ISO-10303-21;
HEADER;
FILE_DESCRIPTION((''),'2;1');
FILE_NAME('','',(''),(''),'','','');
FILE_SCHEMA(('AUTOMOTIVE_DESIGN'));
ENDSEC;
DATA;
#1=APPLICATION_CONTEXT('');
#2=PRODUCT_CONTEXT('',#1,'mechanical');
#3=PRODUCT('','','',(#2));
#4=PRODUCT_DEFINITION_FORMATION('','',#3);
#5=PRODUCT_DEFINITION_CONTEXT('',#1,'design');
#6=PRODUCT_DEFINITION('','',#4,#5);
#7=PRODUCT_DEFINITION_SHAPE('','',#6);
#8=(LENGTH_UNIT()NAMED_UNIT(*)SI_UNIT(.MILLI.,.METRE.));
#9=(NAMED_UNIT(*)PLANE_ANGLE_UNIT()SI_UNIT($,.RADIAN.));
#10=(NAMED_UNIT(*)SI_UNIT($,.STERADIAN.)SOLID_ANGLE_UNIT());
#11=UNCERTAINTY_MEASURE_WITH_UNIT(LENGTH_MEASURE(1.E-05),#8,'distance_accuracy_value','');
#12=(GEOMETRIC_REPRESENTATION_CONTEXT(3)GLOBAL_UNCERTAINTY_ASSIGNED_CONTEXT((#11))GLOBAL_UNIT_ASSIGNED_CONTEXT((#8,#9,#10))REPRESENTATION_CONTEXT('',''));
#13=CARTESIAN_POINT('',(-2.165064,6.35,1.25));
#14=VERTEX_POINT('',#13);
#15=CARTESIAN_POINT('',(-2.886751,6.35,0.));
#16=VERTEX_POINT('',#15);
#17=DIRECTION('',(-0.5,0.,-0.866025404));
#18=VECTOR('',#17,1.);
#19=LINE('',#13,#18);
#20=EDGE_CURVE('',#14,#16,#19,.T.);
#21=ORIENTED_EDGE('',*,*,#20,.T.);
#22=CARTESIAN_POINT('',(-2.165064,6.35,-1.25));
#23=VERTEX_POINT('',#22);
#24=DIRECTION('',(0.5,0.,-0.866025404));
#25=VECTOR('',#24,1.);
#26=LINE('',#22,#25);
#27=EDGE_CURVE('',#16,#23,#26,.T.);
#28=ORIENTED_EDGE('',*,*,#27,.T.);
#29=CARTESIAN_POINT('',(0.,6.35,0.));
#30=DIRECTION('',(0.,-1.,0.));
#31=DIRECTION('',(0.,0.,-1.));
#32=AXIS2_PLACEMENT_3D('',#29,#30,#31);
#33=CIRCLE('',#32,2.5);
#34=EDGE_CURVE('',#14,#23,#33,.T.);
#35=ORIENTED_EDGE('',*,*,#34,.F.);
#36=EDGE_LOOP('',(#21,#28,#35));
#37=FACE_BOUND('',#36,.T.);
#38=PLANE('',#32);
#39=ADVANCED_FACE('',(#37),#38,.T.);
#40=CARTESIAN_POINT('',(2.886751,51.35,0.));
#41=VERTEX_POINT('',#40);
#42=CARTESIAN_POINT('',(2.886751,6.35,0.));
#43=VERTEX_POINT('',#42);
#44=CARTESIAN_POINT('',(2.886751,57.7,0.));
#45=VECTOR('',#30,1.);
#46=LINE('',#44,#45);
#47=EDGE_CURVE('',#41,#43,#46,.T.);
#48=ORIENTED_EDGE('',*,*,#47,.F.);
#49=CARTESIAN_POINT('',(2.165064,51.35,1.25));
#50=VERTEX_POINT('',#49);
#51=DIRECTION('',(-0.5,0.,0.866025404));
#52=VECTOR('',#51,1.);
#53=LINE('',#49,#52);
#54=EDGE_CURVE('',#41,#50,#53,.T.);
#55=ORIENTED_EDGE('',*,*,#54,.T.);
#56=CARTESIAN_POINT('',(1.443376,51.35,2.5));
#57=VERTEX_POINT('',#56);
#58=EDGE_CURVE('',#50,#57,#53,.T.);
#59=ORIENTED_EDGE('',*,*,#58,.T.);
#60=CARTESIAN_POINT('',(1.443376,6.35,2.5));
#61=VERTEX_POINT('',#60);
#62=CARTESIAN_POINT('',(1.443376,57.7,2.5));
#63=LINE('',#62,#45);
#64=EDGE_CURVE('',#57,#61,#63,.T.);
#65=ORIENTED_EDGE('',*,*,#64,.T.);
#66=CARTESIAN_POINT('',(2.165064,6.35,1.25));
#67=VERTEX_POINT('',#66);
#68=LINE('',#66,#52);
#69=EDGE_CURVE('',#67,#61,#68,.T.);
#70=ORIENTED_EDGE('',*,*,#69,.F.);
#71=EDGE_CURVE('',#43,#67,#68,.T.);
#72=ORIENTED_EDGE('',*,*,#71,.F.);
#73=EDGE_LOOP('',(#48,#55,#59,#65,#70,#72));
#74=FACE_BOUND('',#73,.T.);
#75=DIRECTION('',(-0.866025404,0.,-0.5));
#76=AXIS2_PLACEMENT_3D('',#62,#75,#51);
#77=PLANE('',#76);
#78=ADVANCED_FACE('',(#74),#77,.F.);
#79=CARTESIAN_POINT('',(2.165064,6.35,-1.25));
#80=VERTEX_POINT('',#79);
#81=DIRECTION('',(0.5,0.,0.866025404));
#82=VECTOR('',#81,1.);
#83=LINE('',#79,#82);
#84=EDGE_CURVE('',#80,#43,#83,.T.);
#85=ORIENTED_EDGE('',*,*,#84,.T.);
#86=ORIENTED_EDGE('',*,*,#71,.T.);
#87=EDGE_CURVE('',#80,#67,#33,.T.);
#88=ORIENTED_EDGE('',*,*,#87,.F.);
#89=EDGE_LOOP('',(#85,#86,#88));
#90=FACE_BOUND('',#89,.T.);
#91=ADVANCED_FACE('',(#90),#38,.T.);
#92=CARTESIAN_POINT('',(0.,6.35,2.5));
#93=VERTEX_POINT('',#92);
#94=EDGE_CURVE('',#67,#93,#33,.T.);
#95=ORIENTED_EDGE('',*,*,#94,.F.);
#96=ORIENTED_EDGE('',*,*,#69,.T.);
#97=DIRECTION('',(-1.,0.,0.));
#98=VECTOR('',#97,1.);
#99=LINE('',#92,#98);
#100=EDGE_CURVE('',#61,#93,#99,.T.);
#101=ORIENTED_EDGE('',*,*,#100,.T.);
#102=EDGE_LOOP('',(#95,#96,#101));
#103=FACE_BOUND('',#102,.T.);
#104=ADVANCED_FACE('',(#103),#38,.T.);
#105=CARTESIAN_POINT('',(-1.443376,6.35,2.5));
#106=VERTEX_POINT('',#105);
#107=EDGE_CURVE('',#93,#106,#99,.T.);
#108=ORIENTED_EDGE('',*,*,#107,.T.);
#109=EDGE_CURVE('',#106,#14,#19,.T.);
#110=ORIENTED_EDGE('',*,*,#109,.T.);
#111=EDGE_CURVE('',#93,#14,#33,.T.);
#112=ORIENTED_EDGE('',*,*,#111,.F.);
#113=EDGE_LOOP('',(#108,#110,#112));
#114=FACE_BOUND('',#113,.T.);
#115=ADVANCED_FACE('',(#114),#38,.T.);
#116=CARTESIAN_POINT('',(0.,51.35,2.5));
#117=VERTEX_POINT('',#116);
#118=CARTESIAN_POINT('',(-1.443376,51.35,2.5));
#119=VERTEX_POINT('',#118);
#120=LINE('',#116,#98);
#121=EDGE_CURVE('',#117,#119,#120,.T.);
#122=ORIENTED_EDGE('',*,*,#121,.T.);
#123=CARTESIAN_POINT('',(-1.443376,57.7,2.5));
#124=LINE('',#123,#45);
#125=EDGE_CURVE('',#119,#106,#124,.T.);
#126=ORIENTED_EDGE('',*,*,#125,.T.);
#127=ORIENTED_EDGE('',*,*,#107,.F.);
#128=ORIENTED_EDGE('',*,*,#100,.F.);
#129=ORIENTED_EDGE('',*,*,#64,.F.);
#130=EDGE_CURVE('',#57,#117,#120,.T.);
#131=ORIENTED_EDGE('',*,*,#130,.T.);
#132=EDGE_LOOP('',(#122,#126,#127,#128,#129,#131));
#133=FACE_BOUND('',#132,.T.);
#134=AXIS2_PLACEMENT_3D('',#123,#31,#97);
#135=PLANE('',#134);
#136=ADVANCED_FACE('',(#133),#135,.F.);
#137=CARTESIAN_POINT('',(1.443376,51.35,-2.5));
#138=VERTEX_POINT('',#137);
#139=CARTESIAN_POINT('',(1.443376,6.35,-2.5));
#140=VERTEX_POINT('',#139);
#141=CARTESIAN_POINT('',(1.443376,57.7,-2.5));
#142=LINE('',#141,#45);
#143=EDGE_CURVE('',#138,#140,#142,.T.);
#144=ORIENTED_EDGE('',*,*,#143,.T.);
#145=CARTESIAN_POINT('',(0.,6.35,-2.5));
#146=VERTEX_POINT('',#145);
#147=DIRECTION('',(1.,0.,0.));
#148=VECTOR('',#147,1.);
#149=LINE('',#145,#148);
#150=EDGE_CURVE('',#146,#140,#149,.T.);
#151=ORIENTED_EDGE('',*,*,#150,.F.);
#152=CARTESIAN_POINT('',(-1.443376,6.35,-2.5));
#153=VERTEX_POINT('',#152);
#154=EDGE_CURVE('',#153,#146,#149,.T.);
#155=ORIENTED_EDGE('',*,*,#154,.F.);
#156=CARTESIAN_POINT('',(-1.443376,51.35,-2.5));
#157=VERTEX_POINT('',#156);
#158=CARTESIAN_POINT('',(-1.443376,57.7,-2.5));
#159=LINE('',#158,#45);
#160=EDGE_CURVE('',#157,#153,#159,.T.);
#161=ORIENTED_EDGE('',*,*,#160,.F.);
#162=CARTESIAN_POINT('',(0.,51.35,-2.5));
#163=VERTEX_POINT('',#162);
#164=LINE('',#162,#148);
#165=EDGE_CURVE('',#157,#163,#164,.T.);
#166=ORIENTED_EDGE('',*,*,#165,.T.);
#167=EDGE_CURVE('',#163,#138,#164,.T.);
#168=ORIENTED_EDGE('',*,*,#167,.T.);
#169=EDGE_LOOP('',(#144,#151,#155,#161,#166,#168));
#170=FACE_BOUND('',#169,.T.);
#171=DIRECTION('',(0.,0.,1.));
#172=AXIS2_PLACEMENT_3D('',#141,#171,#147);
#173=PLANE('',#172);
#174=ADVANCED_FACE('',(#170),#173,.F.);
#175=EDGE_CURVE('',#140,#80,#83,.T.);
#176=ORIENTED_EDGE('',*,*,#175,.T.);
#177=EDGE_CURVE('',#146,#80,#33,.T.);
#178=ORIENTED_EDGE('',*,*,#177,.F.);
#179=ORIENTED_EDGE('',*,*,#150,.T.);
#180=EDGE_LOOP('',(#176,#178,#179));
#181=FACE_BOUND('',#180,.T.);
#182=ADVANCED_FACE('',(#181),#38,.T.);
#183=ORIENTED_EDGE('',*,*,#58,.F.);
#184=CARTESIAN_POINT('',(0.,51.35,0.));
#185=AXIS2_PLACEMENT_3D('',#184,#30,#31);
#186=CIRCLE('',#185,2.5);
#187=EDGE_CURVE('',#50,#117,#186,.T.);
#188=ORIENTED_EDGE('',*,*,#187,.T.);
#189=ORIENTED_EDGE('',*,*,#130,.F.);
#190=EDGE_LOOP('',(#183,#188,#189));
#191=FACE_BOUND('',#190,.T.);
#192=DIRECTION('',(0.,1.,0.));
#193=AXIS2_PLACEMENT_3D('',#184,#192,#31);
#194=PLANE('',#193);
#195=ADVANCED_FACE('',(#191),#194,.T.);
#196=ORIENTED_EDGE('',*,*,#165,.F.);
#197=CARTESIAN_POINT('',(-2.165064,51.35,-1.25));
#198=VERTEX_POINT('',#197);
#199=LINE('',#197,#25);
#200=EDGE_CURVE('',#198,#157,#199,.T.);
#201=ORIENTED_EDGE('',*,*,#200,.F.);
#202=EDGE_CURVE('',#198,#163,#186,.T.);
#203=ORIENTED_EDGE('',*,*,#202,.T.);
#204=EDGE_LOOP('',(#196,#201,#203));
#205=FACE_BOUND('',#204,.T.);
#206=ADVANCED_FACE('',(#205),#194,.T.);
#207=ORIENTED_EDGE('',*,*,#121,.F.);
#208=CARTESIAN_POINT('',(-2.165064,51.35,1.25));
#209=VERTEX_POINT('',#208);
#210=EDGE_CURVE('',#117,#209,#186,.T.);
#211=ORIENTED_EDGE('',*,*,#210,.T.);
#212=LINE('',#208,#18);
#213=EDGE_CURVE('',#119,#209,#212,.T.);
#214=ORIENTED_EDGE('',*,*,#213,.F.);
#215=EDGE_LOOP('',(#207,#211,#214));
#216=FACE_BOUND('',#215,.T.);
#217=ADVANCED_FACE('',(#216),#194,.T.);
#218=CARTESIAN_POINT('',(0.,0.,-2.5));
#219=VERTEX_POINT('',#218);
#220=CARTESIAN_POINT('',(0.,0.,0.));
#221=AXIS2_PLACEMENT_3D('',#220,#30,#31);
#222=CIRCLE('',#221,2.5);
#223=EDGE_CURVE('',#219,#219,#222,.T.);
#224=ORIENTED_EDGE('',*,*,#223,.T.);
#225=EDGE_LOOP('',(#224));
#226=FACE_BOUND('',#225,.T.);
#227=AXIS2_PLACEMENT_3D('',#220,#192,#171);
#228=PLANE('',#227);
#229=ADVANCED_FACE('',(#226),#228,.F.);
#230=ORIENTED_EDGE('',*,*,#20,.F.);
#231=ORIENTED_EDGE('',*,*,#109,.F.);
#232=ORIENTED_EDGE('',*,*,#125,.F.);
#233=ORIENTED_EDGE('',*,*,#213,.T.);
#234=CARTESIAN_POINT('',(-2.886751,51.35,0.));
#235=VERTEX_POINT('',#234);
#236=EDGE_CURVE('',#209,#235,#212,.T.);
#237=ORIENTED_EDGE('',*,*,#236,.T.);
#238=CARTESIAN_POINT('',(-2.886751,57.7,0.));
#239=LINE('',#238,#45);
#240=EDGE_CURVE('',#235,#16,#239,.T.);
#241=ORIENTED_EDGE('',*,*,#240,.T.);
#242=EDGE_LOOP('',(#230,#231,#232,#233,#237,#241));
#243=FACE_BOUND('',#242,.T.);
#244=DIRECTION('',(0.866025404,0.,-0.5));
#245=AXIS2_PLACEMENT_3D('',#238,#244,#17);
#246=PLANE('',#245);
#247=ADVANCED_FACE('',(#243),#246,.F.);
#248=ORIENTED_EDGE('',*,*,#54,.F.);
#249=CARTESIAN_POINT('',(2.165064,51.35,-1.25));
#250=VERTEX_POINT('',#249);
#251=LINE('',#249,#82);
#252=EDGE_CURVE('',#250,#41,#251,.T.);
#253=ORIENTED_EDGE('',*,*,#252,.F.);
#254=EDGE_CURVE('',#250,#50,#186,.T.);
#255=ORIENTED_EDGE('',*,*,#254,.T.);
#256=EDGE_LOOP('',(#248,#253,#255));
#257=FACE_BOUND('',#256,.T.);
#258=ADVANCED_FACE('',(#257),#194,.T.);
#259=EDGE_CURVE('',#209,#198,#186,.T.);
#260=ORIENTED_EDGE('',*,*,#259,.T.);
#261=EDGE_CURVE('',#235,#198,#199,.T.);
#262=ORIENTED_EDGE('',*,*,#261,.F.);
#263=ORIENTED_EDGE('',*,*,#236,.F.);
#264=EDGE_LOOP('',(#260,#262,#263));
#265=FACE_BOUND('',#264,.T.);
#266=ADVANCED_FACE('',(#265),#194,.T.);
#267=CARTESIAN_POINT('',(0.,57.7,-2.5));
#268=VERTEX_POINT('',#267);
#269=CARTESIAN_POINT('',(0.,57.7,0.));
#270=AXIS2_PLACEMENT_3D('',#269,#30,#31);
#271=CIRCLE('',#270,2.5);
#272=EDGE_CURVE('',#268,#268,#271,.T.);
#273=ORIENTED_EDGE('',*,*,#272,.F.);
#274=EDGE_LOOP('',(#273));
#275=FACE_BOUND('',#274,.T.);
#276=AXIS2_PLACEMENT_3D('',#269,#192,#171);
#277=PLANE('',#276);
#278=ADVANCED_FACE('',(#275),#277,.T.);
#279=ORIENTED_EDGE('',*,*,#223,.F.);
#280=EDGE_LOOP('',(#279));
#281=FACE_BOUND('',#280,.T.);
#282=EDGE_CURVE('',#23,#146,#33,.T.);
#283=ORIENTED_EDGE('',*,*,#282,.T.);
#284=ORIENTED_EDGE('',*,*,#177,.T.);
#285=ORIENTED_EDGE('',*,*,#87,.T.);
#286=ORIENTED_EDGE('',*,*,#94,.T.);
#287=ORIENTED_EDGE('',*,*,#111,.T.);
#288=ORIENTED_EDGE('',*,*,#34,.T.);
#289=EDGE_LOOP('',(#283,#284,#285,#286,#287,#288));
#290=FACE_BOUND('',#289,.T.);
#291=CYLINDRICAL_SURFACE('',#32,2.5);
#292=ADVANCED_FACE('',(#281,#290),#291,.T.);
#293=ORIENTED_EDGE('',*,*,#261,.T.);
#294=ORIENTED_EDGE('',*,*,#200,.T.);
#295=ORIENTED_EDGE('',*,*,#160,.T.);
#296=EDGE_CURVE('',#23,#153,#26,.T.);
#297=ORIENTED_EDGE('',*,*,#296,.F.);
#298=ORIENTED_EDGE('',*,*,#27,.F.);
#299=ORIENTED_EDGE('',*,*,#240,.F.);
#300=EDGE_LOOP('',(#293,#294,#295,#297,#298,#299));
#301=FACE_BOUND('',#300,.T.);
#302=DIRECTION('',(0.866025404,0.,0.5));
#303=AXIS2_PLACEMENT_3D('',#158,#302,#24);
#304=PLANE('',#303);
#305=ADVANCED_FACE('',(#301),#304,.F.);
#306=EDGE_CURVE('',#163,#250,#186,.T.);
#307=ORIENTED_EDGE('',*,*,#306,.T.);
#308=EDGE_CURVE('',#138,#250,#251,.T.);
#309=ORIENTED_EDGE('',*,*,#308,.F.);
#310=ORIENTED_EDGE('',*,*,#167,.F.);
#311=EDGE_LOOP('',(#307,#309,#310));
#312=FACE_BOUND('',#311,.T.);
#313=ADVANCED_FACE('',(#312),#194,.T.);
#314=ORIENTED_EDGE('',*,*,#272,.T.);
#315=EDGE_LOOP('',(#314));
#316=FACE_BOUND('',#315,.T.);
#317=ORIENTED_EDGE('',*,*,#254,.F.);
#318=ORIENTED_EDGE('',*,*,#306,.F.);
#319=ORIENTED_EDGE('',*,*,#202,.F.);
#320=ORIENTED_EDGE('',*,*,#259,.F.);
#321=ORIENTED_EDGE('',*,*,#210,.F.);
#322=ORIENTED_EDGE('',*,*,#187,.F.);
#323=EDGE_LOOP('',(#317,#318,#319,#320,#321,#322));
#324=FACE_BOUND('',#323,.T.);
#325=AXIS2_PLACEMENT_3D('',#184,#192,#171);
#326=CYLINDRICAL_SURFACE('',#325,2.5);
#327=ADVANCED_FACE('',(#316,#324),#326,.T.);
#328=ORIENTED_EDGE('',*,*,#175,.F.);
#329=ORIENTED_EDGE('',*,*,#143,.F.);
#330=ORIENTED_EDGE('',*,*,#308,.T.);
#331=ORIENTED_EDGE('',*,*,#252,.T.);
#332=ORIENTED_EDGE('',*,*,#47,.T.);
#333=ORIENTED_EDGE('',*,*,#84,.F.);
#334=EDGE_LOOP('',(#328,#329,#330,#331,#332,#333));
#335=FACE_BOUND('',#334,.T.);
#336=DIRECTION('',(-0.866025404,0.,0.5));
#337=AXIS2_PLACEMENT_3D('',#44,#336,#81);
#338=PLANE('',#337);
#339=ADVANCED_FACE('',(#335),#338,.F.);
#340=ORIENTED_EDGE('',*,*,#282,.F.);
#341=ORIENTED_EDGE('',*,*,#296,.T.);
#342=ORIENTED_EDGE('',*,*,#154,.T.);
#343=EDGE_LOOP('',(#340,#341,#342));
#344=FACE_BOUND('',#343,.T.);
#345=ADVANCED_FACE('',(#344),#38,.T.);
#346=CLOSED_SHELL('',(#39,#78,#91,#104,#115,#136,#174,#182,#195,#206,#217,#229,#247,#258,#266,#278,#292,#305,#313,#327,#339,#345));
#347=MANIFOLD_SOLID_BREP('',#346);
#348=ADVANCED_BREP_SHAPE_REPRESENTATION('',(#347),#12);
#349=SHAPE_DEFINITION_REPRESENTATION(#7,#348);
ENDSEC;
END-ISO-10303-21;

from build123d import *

# Parameters (mm, degrees)
BOSS_EXTRUDE1_DEPTH = 57.699999944
CUT_EXTRUDE1_DEPTH  = 6.35


with BuildPart() as part:
    # Sketch1 → Boss-Extrude1 (new body)
    with BuildSketch(Plane(origin=(0, 0, 0), x_dir=(1, 0, 0), z_dir=(0, 1, 0))):
        Polygon((2.886751346, 0), (1.443375673, 2.5), (-1.443375673, 2.5), (-2.886751346, 0), (-1.443375673, -2.5), (1.443375673, -2.5), align=None)
    extrude(amount=BOSS_EXTRUDE1_DEPTH)

    # Sketch2 → Cut-Extrude1 (cut)
    with BuildSketch(Plane(origin=(0, 0, 0), x_dir=(-1, 0, 0), z_dir=(0, -1, 0))):
        with BuildLine():
            Line((-2.16506344, -1.25000012), (-1.443375673, -2.5))
            Line((-1.443375673, -2.5), (0, -2.5))
            ThreePointArc((0, -2.5), (-1.24999994, -2.165063544), (-2.16506344, -1.25000012))
        make_face()
        with BuildLine():
            Line((0, -2.5), (1.443375673, -2.5))
            Line((1.443375673, -2.5), (2.165063522, -1.249999979))
            ThreePointArc((2.165063522, -1.249999979), (1.250000011, -2.165063503), (0, -2.5))
        make_face()
        with BuildLine():
            Line((2.165063522, -1.249999979), (2.886751346, 0))
            Line((2.886751346, 0), (2.165063508, 1.250000002))
            ThreePointArc((2.165063508, 1.250000002), (2.414814565, 0.647047614), (2.5, 0))
            ThreePointArc((2.5, 0), (2.414814569, -0.647047601), (2.165063522, -1.249999979))
        make_face()
        with BuildLine():
            Line((2.165063508, 1.250000002), (1.443375673, 2.5))
            Line((1.443375673, 2.5), (0, 2.5))
            ThreePointArc((0, 2.5), (1.249999999, 2.16506351), (2.165063508, 1.250000002))
        make_face()
        with BuildLine():
            Line((-2.165063434, 1.25000013), (-2.886751346, 0))
            Line((-2.886751346, 0), (-2.16506344, -1.25000012))
            ThreePointArc((-2.16506344, -1.25000012), (-2.5, 6e-09), (-2.165063434, 1.25000013))
        make_face()
        with BuildLine():
            Line((0, 2.5), (-1.443375673, 2.5))
            Line((-1.443375673, 2.5), (-2.165063434, 1.25000013))
            ThreePointArc((-2.165063434, 1.25000013), (-1.249999935, 2.165063547), (0, 2.5))
        make_face()
    cut_extrude1 = extrude(amount=-CUT_EXTRUDE1_DEPTH, mode=Mode.SUBTRACT)

    # Mirror1: Cut-Extrude1 across plane
    add(cut_extrude1.mirror(Plane(origin=(0, 28.849999972, 0), x_dir=(0, 0, 1), z_dir=(0, -1, 0))), mode=Mode.SUBTRACT)


solid = part.part
